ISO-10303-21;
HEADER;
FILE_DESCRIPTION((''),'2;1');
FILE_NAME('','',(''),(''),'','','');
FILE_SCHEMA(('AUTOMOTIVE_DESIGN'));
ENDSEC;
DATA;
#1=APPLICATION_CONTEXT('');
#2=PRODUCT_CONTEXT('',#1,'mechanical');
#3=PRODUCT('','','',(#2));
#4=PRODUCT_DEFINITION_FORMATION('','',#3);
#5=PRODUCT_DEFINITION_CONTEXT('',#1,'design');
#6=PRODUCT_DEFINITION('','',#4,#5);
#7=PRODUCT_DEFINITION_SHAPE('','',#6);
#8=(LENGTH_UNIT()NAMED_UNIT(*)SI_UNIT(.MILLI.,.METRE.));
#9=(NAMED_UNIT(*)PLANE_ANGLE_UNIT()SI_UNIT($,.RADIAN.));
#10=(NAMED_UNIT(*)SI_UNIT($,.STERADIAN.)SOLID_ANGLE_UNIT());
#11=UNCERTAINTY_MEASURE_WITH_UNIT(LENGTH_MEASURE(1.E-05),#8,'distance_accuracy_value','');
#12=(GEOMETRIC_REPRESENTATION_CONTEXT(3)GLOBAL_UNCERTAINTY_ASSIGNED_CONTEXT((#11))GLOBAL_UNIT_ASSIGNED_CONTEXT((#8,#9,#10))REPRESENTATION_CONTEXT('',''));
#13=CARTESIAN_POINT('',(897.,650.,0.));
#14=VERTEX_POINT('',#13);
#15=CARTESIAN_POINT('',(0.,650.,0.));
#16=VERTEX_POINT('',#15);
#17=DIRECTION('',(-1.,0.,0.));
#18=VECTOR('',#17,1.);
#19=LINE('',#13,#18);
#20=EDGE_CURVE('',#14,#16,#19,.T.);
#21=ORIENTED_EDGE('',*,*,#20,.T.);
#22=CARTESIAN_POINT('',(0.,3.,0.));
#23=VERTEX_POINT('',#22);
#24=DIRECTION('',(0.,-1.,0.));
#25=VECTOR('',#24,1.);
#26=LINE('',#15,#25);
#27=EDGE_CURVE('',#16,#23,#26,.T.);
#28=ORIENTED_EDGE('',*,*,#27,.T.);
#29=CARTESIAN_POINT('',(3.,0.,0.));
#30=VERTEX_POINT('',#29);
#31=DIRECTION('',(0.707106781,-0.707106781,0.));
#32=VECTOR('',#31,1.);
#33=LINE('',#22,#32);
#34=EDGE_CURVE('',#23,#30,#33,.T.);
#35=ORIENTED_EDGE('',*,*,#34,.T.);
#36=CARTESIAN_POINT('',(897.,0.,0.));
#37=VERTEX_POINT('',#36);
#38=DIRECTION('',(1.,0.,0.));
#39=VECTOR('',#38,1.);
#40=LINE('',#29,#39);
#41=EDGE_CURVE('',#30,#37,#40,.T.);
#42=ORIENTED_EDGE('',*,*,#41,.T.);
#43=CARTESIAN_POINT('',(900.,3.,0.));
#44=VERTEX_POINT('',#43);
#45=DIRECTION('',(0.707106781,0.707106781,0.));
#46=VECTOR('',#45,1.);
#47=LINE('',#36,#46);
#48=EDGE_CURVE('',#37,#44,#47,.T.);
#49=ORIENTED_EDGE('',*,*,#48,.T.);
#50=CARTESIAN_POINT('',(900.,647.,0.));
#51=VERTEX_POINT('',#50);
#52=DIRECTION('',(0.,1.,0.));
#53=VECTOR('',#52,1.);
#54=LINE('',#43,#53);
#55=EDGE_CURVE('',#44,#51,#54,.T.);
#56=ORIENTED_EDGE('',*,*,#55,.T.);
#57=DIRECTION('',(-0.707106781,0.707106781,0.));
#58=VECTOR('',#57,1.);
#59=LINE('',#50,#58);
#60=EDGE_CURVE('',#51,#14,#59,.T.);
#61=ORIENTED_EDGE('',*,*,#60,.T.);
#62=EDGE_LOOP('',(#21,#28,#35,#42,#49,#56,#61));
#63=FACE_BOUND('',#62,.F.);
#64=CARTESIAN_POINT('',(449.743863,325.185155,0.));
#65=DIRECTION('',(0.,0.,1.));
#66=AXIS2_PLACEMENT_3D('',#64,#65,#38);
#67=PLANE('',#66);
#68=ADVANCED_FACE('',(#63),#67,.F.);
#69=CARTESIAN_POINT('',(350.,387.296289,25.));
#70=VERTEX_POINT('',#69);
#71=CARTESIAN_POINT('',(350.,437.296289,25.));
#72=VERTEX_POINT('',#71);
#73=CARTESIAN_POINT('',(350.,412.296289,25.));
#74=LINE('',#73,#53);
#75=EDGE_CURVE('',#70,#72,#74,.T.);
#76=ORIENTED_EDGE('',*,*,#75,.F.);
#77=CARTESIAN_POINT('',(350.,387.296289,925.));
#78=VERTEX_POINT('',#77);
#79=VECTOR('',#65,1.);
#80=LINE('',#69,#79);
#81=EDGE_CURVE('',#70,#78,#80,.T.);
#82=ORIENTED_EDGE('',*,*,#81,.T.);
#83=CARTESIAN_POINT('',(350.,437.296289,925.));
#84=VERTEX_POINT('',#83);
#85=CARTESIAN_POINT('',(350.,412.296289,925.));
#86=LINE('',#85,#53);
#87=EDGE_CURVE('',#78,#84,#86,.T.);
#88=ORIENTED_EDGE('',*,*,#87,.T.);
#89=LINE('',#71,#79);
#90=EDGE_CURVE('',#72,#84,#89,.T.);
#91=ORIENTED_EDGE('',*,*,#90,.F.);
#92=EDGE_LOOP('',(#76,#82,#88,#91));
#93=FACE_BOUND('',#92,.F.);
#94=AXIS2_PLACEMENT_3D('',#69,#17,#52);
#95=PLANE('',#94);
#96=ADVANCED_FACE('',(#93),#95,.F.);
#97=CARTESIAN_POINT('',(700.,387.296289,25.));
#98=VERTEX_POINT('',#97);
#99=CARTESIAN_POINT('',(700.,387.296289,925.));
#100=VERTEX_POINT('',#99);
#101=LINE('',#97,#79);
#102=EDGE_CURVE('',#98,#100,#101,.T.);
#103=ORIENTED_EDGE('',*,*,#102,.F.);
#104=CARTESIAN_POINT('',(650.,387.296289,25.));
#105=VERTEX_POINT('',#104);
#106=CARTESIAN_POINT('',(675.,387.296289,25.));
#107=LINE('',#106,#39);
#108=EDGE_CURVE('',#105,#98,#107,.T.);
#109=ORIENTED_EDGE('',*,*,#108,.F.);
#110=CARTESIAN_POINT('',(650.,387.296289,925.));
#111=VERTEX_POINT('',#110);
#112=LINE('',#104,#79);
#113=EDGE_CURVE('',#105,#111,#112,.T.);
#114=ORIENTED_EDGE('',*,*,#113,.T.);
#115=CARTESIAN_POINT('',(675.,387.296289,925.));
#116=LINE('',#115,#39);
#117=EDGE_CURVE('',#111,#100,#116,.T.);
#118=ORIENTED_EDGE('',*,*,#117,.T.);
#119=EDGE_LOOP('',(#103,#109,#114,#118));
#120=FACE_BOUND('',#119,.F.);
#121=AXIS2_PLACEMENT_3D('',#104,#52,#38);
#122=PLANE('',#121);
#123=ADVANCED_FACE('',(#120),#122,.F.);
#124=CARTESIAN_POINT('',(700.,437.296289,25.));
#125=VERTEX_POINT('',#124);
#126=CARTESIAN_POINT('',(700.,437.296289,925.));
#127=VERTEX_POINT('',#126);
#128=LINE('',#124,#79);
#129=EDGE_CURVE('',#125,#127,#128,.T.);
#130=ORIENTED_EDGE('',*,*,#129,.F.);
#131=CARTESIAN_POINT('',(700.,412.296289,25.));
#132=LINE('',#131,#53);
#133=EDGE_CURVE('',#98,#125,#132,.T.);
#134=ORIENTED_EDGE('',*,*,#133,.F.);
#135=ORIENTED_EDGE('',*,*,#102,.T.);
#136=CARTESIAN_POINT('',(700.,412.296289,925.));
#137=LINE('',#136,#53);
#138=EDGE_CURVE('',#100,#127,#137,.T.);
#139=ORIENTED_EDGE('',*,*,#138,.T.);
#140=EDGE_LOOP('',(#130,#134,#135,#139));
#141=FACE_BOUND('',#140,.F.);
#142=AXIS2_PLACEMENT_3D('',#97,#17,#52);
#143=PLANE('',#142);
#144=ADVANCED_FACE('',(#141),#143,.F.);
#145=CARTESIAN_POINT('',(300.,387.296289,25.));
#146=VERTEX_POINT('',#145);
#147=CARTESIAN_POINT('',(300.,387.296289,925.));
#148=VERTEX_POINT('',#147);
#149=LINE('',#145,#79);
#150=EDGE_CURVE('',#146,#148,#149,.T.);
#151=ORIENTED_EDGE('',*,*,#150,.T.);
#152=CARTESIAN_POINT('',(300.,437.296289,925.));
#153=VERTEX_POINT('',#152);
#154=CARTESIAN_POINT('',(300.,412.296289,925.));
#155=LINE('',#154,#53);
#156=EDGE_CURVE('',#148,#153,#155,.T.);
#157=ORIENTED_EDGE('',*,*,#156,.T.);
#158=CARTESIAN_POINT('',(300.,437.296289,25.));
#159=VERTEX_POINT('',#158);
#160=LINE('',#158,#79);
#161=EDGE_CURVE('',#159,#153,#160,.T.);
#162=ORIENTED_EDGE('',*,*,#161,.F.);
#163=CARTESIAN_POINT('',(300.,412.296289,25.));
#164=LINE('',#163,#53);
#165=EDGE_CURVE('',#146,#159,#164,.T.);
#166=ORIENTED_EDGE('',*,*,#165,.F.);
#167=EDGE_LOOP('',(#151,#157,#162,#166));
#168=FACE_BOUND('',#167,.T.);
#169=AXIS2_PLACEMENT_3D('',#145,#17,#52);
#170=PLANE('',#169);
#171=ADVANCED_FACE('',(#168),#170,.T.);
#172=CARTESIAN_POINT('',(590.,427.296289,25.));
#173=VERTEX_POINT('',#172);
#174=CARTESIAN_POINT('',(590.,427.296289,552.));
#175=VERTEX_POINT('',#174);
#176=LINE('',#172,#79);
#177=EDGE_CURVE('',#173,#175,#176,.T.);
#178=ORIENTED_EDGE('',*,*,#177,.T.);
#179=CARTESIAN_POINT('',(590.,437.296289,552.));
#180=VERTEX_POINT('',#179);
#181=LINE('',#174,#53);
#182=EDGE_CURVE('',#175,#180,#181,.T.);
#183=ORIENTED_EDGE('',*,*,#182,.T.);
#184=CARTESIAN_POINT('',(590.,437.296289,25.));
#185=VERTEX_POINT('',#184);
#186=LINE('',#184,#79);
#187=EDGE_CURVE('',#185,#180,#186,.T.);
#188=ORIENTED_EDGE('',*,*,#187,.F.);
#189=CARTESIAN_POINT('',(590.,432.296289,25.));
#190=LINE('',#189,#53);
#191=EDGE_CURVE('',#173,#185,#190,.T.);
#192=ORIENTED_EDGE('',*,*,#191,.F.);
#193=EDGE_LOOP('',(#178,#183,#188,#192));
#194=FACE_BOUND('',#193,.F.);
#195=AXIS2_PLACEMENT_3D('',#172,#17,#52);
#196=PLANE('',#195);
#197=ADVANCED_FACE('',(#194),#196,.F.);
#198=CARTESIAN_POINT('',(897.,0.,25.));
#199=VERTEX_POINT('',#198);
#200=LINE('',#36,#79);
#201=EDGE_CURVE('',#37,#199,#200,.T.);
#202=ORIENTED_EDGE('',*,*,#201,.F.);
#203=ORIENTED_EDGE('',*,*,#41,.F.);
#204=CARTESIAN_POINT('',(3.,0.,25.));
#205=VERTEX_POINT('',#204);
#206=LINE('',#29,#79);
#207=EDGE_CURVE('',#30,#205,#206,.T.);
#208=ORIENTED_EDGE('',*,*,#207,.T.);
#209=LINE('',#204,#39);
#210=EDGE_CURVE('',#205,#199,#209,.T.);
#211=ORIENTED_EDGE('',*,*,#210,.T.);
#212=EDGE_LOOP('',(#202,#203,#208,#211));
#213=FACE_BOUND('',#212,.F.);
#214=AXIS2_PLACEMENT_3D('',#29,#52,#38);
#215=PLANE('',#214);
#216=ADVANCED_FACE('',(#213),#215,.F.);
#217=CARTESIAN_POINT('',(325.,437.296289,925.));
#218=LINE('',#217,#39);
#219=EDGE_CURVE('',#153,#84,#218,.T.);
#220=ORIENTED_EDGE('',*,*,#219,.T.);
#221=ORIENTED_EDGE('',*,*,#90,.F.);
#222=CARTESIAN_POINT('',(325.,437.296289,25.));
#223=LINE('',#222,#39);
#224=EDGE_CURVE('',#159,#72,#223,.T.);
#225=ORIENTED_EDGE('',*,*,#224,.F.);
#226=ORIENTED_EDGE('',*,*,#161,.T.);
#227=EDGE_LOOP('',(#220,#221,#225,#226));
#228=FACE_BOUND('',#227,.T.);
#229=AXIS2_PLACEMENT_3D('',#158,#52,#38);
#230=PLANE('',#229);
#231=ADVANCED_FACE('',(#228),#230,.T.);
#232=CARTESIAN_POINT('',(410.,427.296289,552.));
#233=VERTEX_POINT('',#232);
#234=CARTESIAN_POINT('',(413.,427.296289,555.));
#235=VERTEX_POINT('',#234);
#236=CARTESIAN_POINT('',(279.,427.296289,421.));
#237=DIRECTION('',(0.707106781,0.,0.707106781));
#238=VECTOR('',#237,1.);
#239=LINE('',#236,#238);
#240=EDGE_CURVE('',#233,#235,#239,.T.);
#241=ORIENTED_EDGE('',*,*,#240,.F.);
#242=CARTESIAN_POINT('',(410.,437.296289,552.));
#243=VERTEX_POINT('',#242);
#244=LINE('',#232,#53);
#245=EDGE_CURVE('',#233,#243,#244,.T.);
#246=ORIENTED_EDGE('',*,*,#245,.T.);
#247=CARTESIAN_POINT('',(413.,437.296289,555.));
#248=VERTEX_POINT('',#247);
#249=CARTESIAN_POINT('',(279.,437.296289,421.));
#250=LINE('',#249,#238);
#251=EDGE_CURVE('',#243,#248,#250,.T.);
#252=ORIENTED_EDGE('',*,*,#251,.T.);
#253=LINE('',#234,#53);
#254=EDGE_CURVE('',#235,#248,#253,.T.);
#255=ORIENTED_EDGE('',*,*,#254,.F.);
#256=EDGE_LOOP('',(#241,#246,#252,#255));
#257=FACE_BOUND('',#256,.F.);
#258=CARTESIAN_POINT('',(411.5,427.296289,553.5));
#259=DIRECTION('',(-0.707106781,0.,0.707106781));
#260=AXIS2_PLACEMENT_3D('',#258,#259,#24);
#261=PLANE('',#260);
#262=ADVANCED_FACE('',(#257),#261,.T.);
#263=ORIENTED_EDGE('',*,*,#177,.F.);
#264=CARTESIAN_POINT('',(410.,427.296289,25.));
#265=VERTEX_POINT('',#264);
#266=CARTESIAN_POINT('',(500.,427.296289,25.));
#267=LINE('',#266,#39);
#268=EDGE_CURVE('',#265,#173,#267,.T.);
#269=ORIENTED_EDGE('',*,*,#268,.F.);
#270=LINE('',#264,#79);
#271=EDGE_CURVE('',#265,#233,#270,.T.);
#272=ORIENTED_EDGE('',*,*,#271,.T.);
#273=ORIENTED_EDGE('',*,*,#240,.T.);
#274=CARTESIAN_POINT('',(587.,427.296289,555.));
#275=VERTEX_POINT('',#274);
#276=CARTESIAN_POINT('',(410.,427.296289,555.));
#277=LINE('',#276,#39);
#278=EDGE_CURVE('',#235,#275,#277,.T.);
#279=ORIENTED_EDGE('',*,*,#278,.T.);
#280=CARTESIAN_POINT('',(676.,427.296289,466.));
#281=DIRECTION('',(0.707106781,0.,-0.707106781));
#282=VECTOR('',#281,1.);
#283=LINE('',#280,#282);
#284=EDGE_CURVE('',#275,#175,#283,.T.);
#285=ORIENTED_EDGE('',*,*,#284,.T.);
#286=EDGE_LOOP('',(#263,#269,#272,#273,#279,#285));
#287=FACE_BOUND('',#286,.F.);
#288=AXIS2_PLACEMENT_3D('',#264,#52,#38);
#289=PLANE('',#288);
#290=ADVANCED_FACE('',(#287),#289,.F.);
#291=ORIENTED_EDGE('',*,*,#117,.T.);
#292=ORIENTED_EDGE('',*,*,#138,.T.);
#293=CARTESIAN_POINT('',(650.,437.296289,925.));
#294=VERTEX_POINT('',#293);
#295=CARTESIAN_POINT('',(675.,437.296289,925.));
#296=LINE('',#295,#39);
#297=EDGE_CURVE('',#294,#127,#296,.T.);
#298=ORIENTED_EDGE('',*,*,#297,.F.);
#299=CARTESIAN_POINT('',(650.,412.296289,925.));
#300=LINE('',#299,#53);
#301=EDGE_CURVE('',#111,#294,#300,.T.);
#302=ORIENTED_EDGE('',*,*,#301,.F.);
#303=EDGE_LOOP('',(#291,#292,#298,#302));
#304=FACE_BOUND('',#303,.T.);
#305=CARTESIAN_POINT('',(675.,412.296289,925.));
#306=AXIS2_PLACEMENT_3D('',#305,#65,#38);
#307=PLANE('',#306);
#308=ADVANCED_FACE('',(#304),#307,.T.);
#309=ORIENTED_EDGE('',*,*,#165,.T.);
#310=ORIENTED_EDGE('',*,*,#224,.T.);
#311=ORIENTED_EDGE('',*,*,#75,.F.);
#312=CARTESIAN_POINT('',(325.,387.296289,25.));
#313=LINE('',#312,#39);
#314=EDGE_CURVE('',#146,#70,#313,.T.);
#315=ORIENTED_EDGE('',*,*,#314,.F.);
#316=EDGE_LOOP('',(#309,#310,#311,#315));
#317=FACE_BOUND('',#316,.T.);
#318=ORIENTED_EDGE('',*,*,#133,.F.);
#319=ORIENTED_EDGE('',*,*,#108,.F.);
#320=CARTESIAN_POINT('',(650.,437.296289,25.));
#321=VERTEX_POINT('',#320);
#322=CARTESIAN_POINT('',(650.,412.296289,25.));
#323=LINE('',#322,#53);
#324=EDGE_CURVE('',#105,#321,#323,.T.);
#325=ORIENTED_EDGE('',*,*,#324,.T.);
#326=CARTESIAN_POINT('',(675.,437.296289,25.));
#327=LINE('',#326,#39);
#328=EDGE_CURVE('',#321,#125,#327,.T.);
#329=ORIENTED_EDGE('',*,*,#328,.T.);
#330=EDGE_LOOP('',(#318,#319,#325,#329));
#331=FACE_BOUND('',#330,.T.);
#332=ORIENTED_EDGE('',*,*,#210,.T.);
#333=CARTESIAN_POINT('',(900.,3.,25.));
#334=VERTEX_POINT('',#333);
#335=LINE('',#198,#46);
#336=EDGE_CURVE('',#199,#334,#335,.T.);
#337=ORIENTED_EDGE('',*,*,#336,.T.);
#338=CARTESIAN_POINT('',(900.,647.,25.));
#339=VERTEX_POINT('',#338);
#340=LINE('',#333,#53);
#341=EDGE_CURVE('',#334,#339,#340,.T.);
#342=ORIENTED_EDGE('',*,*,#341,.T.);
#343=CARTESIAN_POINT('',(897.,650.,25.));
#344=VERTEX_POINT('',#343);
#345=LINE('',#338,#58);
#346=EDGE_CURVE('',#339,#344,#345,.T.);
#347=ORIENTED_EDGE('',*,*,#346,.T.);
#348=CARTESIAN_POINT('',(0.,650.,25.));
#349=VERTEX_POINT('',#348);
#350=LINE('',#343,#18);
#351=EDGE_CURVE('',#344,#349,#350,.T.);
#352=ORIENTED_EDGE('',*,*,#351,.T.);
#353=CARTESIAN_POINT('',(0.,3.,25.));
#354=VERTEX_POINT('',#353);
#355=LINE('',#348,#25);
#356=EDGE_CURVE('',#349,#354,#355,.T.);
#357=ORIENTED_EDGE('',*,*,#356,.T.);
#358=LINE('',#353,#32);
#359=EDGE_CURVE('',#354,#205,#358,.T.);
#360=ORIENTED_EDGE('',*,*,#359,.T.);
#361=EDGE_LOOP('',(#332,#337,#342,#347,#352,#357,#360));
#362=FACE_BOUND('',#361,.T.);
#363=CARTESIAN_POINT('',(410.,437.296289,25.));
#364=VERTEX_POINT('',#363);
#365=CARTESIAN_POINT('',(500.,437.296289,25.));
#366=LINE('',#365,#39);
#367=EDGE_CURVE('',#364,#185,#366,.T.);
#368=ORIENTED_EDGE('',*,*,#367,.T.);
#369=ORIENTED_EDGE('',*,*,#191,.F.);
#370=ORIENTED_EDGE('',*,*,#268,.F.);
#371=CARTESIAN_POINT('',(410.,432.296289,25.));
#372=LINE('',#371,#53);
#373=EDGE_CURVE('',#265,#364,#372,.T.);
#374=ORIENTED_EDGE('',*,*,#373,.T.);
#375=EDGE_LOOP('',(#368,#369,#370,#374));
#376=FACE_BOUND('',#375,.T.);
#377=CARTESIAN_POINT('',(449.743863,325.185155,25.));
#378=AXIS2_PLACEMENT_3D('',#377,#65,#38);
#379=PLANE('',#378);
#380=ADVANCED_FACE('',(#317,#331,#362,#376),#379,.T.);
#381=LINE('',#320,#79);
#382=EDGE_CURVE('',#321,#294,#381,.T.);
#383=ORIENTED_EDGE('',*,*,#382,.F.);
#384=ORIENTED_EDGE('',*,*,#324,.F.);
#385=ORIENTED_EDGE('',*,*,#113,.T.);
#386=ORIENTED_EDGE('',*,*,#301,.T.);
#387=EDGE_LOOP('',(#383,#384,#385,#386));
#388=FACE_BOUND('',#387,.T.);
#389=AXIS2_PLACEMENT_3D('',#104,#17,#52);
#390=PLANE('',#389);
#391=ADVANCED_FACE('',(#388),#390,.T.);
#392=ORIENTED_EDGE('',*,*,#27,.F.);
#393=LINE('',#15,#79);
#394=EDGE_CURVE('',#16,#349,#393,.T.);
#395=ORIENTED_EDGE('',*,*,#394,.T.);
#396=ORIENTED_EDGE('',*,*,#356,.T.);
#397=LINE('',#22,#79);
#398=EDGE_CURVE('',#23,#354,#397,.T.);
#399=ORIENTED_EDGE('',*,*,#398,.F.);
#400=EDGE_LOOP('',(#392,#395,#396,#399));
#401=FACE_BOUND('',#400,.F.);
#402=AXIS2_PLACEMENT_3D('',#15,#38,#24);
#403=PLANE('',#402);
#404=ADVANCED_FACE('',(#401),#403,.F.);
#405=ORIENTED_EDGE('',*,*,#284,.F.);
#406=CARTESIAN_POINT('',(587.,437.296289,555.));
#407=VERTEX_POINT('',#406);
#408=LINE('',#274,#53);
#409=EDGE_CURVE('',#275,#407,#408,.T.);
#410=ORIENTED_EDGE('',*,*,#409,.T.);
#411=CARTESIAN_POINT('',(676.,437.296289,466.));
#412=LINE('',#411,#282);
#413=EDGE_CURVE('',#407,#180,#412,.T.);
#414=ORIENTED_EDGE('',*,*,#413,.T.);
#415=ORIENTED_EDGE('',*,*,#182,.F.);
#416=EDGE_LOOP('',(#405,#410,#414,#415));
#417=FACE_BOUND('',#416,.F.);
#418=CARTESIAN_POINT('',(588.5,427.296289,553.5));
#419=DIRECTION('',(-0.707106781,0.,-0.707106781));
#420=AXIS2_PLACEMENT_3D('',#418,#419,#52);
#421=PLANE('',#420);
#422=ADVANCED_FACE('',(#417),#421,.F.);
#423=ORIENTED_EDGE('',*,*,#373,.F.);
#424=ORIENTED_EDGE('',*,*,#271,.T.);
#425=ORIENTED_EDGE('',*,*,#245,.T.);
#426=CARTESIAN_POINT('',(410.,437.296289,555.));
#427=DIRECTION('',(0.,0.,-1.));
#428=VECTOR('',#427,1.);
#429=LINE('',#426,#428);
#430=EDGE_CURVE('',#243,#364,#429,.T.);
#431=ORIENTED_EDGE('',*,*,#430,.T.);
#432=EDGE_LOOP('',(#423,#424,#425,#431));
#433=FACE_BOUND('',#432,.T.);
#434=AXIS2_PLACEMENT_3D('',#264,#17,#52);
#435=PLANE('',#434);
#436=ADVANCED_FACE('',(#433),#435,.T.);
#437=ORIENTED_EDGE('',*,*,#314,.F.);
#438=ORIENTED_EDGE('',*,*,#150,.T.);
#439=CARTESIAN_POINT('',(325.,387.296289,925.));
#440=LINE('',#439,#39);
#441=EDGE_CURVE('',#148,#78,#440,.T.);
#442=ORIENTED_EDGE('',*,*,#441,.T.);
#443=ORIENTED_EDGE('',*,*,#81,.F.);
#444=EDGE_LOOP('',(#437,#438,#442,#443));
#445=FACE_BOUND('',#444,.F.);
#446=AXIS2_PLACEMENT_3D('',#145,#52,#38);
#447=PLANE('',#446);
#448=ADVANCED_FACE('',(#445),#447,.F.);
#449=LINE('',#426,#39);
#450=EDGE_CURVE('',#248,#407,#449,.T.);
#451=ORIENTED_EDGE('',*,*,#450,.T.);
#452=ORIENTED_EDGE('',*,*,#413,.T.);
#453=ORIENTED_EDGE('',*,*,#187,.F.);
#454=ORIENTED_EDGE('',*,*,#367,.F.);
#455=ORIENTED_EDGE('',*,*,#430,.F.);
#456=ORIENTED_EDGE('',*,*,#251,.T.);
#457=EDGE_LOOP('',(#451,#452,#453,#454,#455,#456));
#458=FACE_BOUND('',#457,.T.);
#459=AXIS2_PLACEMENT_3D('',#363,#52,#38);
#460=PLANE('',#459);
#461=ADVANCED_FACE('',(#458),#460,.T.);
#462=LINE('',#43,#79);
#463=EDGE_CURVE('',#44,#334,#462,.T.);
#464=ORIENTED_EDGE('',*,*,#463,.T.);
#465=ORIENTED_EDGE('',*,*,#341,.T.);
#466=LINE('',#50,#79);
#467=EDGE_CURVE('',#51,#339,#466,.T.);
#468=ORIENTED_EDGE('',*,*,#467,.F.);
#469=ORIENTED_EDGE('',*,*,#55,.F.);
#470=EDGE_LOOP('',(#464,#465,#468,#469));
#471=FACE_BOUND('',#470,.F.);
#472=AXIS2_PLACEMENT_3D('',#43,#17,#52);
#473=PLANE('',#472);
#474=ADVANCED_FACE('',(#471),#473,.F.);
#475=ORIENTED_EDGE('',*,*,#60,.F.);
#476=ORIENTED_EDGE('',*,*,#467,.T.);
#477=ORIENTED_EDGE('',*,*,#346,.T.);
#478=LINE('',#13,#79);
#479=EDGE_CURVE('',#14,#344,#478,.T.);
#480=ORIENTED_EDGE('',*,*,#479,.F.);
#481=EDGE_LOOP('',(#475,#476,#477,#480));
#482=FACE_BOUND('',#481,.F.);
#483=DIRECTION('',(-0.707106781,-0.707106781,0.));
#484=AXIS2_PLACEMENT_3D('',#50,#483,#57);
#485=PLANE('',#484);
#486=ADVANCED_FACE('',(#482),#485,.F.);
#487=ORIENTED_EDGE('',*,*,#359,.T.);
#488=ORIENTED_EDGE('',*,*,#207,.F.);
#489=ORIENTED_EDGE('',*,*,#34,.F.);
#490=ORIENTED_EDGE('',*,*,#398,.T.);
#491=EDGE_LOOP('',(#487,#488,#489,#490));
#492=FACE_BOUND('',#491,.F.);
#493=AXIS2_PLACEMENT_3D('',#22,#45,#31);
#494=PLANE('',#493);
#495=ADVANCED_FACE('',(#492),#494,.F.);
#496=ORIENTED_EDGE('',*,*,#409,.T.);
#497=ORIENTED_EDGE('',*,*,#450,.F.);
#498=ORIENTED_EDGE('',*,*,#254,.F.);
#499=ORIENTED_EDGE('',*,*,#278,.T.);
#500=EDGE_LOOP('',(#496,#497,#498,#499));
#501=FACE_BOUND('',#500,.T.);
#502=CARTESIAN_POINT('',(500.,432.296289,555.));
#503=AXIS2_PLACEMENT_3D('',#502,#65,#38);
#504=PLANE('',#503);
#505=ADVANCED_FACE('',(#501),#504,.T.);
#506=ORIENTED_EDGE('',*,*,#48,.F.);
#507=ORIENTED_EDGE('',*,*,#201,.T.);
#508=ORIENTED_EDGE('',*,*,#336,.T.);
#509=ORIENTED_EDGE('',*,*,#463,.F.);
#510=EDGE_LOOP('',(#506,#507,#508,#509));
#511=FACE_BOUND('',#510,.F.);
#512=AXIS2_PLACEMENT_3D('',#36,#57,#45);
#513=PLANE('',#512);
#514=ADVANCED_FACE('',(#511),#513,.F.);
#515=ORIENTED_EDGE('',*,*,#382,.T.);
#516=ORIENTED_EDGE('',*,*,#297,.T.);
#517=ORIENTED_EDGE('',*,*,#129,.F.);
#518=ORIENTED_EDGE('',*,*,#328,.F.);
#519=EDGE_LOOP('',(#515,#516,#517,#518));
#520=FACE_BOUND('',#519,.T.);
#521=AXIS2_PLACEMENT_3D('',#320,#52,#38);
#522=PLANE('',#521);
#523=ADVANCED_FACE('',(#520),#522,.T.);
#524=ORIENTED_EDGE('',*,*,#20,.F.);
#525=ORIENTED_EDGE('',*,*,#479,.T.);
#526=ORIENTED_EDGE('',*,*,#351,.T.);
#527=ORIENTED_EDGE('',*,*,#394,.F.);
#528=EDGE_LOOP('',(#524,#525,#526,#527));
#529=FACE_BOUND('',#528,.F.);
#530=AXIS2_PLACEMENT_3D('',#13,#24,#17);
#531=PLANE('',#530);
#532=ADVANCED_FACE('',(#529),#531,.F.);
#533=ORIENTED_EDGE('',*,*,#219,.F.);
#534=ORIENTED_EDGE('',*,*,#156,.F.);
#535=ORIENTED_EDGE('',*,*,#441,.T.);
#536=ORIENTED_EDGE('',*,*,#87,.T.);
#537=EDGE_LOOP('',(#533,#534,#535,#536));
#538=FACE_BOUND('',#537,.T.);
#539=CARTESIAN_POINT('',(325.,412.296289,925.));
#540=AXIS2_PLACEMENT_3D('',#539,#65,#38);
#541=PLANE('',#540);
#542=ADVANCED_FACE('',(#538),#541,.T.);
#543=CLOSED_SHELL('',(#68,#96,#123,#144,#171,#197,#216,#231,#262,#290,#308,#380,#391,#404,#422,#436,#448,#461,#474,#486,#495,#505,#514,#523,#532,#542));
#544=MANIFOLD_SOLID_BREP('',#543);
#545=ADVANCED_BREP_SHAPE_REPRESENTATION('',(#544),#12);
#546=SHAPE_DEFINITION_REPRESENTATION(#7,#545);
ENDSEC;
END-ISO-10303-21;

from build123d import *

# Parameters (mm, degrees)
F1_DEPTH  = 25
F2_W      = 50
F2_H      = 50
F3_DEPTH  = 900
F4_W      = 50
F4_H      = 50
F5_DEPTH  = 900
F6_W      = 180
F6_H      = 10
F7_DEPTH  = 530
F10_DEPTH = 10
F11_SIZE  = 3


with BuildPart() as f1:
    # F0 (on Top) → F1 (new body)
    with BuildSketch(Plane.XY):
        Polygon((0, 3), (3, 0), (897, 0), (900, 3), (900, 647), (897, 650), (0, 650), align=None)
    extrude(amount=F1_DEPTH)

    # F2 (on face) → F3 (join)
    with BuildSketch(Plane.XY.offset(25)):
        with Locations((675, 412.296289)):
            Rectangle(F2_W, F2_H)
    extrude(amount=F3_DEPTH)

    # F4 (on face) → F5 (join)
    with BuildSketch(Plane.XY.offset(25)):
        with Locations((325, 412.296289)):
            Rectangle(F4_W, F4_H)
    extrude(amount=F5_DEPTH)

    # F6 (on face) → F7 (join)
    with BuildSketch(Plane.XY.offset(25)):
        with Locations((500, 432.296289)):
            Rectangle(F6_W, F6_H)
    extrude(amount=F7_DEPTH)

    # F9 (on face) → F10 (join, through all)
    with BuildSketch(Plane.XZ.offset(-427.296289)):
        Polygon((410, 555), (410, 552), (413, 555), align=None)
    extrude(amount=-F10_DEPTH)

    # F11
    f11_edges = [f1.edges().sort_by_distance(p)[0] for p in [
        (410, 432.296289, 555),
        (590, 432.296289, 555),
    ]]
    chamfer(f11_edges, length=F11_SIZE)


solid = f1.part
